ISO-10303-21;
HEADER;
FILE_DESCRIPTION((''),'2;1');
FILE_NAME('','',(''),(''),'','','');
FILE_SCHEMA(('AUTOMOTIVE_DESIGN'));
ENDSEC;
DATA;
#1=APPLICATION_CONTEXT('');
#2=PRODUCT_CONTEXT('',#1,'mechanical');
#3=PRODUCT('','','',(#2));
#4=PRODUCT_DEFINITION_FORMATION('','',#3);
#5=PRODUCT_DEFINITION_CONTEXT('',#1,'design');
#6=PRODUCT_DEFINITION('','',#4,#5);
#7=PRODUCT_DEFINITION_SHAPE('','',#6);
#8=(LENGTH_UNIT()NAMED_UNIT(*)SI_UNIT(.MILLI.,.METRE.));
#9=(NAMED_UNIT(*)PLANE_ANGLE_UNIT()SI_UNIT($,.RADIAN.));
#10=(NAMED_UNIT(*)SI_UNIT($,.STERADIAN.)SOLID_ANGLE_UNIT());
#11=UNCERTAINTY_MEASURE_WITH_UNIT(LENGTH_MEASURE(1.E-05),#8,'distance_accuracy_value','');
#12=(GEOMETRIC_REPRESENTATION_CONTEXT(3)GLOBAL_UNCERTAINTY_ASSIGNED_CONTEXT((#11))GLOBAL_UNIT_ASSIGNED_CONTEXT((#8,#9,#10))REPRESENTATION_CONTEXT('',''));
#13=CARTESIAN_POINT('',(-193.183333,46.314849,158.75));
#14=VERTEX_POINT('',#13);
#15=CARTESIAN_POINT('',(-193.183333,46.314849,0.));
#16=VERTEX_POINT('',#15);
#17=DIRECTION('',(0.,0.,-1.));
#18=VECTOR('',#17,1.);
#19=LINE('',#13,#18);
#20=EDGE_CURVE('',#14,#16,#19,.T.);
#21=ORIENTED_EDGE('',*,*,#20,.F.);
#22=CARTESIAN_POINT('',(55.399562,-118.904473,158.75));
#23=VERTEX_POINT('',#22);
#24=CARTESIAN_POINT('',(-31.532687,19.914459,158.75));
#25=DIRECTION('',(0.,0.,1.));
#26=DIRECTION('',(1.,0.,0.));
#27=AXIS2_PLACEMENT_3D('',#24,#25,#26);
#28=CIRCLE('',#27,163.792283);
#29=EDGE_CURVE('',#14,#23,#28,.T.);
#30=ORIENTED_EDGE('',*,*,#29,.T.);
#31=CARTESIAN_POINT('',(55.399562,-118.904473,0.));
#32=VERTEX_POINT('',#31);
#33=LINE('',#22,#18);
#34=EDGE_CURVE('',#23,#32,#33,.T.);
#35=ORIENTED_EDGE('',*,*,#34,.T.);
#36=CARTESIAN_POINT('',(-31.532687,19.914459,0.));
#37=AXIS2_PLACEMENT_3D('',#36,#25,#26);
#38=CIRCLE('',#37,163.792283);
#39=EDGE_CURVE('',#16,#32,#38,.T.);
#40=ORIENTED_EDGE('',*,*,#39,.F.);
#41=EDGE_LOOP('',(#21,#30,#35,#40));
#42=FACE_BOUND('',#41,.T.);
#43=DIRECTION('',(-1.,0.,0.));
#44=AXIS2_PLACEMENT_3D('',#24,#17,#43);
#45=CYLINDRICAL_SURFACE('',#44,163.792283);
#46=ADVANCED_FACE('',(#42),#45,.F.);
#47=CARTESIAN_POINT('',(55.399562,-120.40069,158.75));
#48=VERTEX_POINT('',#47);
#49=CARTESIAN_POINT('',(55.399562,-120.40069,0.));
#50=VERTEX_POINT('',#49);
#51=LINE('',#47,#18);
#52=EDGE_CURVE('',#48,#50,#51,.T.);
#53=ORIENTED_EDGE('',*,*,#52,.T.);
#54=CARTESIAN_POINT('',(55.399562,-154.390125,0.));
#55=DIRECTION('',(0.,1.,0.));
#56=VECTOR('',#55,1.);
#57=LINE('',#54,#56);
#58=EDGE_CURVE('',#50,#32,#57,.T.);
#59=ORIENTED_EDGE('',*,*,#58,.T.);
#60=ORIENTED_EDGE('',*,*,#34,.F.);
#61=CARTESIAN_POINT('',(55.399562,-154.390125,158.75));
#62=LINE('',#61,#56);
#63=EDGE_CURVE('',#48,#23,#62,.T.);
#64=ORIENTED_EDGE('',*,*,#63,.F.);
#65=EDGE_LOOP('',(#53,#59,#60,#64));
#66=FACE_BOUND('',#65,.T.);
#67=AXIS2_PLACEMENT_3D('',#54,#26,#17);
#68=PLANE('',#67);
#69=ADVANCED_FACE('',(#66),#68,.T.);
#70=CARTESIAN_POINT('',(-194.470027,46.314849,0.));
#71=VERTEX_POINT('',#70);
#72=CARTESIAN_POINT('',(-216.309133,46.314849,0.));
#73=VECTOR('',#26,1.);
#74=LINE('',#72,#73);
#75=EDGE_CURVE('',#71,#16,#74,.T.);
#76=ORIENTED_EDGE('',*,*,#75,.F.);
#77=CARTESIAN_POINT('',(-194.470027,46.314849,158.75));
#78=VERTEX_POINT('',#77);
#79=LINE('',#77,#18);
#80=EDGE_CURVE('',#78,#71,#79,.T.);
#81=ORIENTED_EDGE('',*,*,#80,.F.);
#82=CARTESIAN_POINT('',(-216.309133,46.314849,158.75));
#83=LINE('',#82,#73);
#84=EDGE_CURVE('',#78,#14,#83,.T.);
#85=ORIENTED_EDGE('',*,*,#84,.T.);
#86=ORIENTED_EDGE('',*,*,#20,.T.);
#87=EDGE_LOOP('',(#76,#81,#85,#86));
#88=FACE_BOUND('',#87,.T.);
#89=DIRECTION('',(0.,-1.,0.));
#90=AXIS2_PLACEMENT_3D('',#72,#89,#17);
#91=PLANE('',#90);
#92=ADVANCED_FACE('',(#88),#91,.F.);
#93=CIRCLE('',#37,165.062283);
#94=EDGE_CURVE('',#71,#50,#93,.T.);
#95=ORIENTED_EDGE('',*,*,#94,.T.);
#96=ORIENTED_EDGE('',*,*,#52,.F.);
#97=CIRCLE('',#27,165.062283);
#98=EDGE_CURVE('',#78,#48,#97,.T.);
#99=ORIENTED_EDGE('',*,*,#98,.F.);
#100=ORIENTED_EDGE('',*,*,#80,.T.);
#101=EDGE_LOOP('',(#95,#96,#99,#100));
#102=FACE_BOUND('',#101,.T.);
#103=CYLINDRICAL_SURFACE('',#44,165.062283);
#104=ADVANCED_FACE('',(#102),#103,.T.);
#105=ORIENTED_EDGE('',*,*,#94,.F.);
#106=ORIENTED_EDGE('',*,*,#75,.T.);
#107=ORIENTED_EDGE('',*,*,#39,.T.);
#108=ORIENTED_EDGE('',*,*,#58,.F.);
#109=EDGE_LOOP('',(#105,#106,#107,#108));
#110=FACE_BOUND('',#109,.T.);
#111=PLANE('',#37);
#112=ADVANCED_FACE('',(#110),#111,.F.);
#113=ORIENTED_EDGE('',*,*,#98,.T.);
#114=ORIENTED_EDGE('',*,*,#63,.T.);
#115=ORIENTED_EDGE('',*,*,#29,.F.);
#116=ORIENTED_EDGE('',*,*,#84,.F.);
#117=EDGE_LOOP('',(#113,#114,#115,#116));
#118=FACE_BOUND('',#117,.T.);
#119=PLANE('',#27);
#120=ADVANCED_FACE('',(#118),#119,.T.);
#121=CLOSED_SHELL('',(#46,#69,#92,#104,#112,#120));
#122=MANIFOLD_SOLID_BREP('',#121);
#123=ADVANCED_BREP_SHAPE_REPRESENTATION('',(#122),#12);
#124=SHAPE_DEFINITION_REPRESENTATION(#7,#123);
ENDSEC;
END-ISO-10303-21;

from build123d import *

# Parameters (mm, degrees)
SKETCH1_R           = 165.062282849
BOSS_EXTRUDE1_DEPTH = 158.75
SHELL1_T            = -1.27
SKETCH2_W           = 163.144728945
SKETCH2_H           = 394.61311295
CUT_EXTRUDE2_DEPTH  = 158.75
SKETCH3_W           = 362.622399732
SKETCH3_H           = 160.71006498
CUT_EXTRUDE3_DEPTH  = 158.75


with BuildPart() as part:
    # Sketch1 → Boss-Extrude1 (new body)
    with BuildSketch(Plane.XY):
        with Locations(Location((-31.532687059, 19.91445928, 0), (0, 0, 180))):
            Circle(SKETCH1_R)
    extrude(amount=BOSS_EXTRUDE1_DEPTH)

    # Shell1
    shell1_openings = [part.faces().sort_by_distance(p)[0] for p in [
        (-31.532687059, 19.91445928, 158.75),
        (-31.532687059, 19.91445928, 0),
    ]]
    offset(amount=SHELL1_T, openings=shell1_openings, kind=Kind.INTERSECTION)

    # Sketch2 → Cut-Extrude2 (cut)
    with BuildSketch(Plane.XY.offset(158.75)):
        with Locations((136.971926827, 42.916431228)):
            Rectangle(SKETCH2_W, SKETCH2_H)
    extrude(amount=-CUT_EXTRUDE2_DEPTH, mode=Mode.SUBTRACT)

    # Sketch3 → Cut-Extrude3 (cut)
    with BuildSketch(Plane.XY.offset(158.75)):
        with Locations((-34.997933009, 126.669881209)):
            Rectangle(SKETCH3_W, SKETCH3_H)
    extrude(amount=-CUT_EXTRUDE3_DEPTH, mode=Mode.SUBTRACT)


solid = part.part
